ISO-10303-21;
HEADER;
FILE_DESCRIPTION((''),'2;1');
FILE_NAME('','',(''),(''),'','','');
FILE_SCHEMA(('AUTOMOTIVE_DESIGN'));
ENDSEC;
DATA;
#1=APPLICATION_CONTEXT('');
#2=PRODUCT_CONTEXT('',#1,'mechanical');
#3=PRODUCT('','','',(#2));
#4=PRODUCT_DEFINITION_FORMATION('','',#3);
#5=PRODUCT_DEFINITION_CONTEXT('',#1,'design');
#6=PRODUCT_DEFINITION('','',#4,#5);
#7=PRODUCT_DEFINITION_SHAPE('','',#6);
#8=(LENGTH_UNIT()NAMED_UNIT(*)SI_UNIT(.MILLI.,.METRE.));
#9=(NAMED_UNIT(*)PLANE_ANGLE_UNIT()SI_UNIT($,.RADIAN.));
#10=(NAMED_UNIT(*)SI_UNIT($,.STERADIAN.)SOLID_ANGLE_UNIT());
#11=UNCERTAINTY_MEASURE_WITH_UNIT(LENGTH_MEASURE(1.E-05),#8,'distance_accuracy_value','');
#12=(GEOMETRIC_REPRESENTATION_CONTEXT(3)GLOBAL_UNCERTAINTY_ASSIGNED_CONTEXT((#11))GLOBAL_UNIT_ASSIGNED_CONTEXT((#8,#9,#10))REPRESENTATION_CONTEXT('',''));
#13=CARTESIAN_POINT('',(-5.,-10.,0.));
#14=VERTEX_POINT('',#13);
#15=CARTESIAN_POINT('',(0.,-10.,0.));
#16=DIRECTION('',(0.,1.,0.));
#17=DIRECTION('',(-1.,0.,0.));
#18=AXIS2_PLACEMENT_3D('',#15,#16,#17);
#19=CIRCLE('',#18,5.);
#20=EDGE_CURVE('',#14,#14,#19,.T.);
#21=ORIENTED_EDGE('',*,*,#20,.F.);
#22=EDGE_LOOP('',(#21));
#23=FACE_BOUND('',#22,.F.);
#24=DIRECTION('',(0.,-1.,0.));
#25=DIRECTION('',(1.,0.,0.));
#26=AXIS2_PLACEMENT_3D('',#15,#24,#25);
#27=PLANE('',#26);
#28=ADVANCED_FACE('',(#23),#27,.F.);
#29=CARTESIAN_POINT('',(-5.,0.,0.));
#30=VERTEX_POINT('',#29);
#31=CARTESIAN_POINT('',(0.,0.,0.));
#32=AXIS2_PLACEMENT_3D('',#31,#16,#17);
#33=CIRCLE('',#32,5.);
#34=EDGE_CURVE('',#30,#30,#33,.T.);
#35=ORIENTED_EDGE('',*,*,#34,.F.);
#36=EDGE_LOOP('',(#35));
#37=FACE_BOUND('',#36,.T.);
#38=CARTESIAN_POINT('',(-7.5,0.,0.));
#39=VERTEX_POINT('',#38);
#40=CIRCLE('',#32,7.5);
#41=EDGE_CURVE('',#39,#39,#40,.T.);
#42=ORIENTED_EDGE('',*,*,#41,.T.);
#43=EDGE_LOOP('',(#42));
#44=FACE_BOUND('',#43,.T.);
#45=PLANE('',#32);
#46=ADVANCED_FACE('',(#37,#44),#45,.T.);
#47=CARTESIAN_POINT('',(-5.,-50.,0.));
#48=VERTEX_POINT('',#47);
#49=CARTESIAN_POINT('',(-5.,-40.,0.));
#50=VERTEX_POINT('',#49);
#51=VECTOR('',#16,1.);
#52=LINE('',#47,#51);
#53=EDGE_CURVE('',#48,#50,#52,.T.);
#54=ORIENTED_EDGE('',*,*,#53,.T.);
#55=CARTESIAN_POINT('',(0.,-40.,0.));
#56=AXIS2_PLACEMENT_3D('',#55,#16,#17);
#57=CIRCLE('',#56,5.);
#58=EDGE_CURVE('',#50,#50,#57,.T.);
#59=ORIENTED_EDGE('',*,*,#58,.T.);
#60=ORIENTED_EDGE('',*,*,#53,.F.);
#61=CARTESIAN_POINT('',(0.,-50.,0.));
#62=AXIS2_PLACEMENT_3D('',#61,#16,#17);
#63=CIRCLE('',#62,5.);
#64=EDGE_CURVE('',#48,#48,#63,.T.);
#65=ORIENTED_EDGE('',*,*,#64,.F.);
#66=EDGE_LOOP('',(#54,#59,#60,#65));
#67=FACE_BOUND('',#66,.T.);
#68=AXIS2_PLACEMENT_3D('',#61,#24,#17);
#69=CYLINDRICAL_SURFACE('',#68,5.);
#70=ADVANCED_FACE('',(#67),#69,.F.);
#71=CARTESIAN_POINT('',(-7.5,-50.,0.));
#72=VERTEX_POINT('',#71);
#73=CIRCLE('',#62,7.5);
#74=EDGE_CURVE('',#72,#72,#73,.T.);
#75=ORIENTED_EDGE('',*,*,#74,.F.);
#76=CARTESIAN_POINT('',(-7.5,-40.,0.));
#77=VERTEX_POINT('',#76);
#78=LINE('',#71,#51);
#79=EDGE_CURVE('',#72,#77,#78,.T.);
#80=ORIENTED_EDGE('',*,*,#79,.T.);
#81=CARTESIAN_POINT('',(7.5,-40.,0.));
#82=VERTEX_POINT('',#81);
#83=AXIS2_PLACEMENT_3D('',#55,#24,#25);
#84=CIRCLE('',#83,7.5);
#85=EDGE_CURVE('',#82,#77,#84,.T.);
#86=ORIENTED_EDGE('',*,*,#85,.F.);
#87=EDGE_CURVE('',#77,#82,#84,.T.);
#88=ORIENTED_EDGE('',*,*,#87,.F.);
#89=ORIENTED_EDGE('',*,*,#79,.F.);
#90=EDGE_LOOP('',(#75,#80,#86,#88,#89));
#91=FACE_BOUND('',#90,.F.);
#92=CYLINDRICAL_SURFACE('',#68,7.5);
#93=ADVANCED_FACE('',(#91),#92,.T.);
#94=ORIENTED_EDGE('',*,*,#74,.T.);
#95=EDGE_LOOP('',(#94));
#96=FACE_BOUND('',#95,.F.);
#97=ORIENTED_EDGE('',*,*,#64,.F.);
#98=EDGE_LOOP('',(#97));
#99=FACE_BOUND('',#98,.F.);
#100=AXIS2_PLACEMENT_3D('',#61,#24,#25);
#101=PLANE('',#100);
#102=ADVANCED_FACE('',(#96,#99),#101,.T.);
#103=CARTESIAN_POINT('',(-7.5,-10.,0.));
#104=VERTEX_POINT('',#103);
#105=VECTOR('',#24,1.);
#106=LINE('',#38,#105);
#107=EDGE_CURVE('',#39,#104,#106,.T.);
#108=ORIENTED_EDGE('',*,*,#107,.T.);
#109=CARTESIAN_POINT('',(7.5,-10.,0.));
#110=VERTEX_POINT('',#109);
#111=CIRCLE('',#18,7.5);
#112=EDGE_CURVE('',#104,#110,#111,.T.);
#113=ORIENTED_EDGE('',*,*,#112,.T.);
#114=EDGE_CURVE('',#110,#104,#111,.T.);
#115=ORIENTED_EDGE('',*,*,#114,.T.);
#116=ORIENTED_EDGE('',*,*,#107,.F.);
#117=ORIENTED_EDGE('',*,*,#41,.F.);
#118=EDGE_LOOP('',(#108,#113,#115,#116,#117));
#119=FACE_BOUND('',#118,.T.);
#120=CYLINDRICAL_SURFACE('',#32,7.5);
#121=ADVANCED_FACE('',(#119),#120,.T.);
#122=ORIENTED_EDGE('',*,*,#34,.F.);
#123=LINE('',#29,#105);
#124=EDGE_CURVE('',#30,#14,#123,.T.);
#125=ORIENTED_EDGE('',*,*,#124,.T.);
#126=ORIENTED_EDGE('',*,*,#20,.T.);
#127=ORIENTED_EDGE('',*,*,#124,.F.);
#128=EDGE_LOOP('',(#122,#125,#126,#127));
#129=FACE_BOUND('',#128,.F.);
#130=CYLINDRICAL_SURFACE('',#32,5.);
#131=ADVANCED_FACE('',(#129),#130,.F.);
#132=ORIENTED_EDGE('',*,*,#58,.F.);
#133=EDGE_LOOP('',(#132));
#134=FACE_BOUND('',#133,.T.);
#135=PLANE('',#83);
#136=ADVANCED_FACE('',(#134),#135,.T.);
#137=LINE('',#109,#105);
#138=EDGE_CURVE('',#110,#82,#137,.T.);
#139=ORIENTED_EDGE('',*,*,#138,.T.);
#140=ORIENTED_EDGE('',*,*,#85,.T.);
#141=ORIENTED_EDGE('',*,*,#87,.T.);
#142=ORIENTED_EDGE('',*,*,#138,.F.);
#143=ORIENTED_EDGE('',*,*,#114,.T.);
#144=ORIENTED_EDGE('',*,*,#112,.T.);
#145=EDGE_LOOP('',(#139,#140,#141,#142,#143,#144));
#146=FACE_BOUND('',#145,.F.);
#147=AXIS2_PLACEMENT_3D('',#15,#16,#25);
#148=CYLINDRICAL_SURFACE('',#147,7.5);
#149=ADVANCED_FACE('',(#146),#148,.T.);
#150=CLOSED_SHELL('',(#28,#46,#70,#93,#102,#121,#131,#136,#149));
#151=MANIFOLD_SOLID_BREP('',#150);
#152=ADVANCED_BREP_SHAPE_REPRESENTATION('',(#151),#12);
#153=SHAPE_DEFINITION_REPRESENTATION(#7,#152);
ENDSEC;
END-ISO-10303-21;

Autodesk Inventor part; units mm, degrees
ref_plane "YZ Plane" through (0, 0, 0) normal (1, 0, 0) x (0, 1, 0)
ref_plane "XZ Plane" through (0, 0, 0) normal (0, 1, 0) x (-1, 0, 0)
ref_plane "XY Plane" through (0, 0, 0) normal (0, 0, 1) x (1, 0, 0)
sketch "Sketch1" plane through (0, 0, 0) normal (0, 1, 0) x (-1, 0, 0)
  circle A0 centre (0, 0) radius 3.5 construction
  circle A1 centre (0, 0) radius 5
  circle A2 centre (0, 0) radius 7.5
  dimension "d0" = 7
  dimension "d1" = 10
  dimension "d2" = 15
extrude "Extrusion1" add sketch "Sketch1" against normal blind 10
sketch "Sketch2" plane through (0, -10, 0) normal (0, -1, 0) x (1, 0, 0)
  circle A0 centre (0, 0) radius 7.5
extrude "Extrusion2" add sketch "Sketch2" along normal blind 30
ref_plane "Work Plane2" through (0, -25, 0) normal (0, -1, 0) x (1, 0, 0)
mirror "Mirror1" about plane through (0, -25, 0) normal (0, -1, 0) of "Extrusion1"
properties part number "PataPolimero"
